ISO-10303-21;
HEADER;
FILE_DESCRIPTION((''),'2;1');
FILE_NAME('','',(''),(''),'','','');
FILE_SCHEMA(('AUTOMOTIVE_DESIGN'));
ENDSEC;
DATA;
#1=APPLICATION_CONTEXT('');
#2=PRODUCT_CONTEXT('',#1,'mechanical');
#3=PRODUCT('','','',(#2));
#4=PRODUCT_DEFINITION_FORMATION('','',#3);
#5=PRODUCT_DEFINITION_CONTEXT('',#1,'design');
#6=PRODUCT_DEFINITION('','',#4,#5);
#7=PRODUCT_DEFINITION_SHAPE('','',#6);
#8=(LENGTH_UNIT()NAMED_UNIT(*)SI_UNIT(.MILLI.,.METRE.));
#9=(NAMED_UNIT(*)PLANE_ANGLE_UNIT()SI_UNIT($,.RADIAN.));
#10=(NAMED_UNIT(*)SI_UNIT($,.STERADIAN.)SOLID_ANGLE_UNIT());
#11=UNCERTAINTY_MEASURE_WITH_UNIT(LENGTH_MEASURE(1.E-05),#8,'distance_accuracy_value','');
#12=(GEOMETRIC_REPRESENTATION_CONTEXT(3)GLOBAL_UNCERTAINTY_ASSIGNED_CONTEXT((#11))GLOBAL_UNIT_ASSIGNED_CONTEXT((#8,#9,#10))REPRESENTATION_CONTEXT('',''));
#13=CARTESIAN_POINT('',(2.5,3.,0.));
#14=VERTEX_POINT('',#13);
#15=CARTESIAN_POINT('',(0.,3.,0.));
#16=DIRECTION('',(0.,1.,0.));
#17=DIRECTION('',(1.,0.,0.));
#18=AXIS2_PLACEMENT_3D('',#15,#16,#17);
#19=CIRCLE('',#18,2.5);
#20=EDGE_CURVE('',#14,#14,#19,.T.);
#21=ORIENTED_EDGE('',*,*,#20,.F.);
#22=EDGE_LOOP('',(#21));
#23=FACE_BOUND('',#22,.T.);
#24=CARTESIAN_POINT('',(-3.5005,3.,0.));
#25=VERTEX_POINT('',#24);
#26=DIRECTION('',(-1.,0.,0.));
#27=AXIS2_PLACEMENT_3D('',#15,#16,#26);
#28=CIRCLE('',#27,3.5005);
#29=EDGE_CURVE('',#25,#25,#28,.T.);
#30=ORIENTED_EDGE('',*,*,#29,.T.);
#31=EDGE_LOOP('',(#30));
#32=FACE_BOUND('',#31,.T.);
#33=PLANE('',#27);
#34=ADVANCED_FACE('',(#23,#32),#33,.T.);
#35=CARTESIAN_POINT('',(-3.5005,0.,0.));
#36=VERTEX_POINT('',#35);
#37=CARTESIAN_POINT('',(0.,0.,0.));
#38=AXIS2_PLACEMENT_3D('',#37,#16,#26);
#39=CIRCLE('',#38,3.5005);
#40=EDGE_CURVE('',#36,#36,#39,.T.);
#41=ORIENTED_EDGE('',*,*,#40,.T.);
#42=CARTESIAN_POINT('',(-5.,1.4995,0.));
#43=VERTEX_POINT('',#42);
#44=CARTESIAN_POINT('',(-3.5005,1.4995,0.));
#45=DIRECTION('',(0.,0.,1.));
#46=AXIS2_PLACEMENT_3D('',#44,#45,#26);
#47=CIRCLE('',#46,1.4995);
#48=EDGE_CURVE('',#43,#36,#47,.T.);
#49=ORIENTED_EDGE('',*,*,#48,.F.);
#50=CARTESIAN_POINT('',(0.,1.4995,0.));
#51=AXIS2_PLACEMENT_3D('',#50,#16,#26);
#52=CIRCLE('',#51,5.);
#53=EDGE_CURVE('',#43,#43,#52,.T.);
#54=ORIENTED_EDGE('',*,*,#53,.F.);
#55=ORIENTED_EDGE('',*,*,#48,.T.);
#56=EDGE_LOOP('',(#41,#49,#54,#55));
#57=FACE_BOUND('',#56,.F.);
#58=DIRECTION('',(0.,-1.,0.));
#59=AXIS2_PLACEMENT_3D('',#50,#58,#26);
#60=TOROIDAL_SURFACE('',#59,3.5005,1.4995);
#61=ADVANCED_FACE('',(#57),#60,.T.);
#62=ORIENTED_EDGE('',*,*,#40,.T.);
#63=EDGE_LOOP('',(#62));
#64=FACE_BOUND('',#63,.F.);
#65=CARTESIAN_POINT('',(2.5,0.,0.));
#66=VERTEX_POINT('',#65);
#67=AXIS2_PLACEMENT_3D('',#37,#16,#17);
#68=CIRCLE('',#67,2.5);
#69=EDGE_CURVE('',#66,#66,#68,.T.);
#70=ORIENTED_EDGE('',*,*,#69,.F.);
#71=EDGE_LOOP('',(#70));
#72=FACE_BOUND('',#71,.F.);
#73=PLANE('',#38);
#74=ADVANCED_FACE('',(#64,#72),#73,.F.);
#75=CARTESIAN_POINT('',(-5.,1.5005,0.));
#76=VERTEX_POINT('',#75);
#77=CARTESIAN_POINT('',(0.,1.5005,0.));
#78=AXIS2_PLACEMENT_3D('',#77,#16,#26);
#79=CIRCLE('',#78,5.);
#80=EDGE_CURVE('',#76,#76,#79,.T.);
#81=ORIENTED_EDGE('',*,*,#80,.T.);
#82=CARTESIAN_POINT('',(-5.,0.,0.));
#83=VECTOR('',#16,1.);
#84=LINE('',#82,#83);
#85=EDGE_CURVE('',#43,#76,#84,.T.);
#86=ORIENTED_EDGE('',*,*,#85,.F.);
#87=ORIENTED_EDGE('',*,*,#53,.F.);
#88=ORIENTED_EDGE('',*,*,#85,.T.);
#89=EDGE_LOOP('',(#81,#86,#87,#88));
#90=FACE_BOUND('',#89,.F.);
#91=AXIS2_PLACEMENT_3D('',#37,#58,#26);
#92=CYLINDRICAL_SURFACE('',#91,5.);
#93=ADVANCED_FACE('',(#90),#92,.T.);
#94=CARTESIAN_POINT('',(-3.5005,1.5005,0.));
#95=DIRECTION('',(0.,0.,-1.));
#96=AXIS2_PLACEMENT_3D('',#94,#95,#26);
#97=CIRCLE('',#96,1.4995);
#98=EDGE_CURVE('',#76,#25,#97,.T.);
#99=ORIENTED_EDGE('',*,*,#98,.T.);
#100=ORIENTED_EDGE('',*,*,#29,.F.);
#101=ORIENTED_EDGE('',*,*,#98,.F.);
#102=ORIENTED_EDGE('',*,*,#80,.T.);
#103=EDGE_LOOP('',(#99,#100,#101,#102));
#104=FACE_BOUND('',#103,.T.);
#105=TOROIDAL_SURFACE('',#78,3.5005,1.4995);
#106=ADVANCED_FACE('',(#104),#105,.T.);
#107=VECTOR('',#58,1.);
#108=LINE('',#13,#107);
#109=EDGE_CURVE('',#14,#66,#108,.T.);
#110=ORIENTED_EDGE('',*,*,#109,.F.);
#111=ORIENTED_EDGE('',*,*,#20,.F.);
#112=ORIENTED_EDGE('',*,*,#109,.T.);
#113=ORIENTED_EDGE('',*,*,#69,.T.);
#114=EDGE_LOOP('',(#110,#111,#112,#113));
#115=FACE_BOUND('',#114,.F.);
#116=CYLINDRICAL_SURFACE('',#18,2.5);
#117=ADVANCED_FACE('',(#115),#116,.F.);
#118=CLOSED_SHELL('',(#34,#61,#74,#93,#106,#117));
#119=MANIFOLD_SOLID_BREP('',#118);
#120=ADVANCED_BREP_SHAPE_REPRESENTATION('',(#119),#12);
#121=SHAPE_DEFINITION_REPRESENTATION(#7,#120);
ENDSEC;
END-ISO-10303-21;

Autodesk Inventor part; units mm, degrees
ref_plane "YZ Plane" through (0, 0, 0) normal (1, 0, 0) x (0, 1, 0)
ref_plane "XZ Plane" through (0, 0, 0) normal (0, 1, 0) x (-1, 0, 0)
ref_plane "XY Plane" through (0, 0, 0) normal (0, 0, 1) x (1, 0, 0)
sketch "Boceto1" plane through (0, 0, 0) normal (0, 1, 0) x (-1, 0, 0)
  circle A0 centre (0, 0) radius 5
  dimension "d0" = 10
extrude "Extrusión1" add sketch "Boceto1" along normal blind 3
sketch "Boceto2" plane through (0, 3, 0) normal (0, 1, 0) x (1, 0, 0)
  circle A0 centre (0, 0) radius 2.5
  dimension "d3" = 5
extrude "Extrusión2" cut sketch "Boceto2" against normal through all
fillet "Empalme1" radius 1.5 2 edges at (5, 3, 0) (5, 0, 0)
properties part number "shocks_rubber" material "Goma"
